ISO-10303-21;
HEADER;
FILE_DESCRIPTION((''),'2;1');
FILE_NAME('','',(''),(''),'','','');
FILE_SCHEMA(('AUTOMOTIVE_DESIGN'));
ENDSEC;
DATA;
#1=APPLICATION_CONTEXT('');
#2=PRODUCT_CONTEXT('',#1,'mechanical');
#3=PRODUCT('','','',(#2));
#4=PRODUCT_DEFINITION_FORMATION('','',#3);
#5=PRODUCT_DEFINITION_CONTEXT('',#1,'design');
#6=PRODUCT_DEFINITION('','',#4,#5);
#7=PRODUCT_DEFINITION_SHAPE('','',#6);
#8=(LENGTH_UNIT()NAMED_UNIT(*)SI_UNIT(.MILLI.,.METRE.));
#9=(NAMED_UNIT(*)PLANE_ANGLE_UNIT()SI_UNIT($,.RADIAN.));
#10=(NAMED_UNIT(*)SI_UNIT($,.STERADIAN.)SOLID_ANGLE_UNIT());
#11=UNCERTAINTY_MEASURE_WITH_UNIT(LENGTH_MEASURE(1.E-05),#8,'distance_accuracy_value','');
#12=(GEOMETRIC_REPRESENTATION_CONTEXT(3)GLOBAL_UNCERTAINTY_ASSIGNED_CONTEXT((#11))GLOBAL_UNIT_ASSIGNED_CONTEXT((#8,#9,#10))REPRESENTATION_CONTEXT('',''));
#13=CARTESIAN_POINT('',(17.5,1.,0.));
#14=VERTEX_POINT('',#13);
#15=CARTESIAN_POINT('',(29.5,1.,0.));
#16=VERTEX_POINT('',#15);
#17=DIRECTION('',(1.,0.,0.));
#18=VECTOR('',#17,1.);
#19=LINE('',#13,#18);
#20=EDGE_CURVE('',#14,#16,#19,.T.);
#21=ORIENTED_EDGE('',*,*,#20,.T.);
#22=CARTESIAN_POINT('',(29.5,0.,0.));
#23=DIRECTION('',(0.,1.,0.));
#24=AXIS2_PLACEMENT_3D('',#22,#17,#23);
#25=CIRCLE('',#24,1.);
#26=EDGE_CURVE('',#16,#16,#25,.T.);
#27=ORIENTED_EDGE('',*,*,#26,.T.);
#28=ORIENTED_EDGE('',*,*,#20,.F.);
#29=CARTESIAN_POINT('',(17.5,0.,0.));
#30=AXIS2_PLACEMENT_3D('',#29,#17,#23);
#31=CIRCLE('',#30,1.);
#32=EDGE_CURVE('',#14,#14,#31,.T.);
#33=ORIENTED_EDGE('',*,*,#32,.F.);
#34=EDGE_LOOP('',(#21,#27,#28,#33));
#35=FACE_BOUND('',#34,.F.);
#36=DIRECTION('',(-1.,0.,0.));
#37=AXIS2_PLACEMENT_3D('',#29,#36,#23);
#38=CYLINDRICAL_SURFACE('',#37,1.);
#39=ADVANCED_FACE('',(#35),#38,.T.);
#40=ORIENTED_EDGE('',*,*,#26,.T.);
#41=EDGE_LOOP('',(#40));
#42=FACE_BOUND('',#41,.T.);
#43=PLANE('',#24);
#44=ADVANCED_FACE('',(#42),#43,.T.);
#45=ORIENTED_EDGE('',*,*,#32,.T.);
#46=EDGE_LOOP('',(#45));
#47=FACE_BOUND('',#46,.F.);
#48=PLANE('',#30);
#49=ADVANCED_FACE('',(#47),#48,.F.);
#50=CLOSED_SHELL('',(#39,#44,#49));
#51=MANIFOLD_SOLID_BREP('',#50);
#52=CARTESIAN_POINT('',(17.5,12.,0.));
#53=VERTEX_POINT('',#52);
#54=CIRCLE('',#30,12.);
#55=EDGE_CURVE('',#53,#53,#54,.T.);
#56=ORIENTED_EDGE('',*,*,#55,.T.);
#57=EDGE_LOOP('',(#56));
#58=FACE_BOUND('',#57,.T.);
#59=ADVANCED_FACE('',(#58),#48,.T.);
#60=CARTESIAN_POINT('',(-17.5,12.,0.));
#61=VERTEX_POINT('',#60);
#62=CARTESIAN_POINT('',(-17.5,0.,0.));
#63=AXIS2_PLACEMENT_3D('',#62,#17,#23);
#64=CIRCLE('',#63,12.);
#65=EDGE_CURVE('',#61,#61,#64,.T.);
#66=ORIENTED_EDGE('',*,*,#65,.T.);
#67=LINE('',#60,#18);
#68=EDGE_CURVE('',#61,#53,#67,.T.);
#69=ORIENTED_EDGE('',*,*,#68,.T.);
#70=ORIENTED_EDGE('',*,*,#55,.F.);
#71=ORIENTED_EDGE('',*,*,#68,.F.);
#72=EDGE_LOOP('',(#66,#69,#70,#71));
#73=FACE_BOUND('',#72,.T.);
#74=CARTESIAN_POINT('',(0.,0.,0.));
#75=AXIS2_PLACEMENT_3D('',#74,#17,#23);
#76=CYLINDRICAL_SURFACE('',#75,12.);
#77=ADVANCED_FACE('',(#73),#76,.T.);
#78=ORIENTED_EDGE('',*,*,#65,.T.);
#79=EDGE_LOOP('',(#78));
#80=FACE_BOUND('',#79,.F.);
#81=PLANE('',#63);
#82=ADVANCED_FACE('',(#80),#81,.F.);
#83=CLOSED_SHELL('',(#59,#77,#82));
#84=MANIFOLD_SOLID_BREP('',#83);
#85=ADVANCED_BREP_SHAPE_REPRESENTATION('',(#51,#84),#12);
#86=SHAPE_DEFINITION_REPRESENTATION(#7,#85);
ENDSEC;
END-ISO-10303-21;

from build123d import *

# Parameters (mm, degrees)
F0_R     = 12
F1_DEPTH = 17.5
F2_R     = 1
F3_DEPTH = 12


with BuildPart() as f1:
    # F0 (on Right) → F1 (new body, symmetric)
    with BuildSketch(Plane.YZ):
        Circle(F0_R)
    extrude(amount=F1_DEPTH, both=True)


with BuildPart() as f3:
    # F2 (on face) → F3 (new body)
    with BuildSketch(Plane.YZ.offset(17.5)):
        Circle(F2_R)
    extrude(amount=F3_DEPTH)


solid = Compound([f1.part, f3.part])
